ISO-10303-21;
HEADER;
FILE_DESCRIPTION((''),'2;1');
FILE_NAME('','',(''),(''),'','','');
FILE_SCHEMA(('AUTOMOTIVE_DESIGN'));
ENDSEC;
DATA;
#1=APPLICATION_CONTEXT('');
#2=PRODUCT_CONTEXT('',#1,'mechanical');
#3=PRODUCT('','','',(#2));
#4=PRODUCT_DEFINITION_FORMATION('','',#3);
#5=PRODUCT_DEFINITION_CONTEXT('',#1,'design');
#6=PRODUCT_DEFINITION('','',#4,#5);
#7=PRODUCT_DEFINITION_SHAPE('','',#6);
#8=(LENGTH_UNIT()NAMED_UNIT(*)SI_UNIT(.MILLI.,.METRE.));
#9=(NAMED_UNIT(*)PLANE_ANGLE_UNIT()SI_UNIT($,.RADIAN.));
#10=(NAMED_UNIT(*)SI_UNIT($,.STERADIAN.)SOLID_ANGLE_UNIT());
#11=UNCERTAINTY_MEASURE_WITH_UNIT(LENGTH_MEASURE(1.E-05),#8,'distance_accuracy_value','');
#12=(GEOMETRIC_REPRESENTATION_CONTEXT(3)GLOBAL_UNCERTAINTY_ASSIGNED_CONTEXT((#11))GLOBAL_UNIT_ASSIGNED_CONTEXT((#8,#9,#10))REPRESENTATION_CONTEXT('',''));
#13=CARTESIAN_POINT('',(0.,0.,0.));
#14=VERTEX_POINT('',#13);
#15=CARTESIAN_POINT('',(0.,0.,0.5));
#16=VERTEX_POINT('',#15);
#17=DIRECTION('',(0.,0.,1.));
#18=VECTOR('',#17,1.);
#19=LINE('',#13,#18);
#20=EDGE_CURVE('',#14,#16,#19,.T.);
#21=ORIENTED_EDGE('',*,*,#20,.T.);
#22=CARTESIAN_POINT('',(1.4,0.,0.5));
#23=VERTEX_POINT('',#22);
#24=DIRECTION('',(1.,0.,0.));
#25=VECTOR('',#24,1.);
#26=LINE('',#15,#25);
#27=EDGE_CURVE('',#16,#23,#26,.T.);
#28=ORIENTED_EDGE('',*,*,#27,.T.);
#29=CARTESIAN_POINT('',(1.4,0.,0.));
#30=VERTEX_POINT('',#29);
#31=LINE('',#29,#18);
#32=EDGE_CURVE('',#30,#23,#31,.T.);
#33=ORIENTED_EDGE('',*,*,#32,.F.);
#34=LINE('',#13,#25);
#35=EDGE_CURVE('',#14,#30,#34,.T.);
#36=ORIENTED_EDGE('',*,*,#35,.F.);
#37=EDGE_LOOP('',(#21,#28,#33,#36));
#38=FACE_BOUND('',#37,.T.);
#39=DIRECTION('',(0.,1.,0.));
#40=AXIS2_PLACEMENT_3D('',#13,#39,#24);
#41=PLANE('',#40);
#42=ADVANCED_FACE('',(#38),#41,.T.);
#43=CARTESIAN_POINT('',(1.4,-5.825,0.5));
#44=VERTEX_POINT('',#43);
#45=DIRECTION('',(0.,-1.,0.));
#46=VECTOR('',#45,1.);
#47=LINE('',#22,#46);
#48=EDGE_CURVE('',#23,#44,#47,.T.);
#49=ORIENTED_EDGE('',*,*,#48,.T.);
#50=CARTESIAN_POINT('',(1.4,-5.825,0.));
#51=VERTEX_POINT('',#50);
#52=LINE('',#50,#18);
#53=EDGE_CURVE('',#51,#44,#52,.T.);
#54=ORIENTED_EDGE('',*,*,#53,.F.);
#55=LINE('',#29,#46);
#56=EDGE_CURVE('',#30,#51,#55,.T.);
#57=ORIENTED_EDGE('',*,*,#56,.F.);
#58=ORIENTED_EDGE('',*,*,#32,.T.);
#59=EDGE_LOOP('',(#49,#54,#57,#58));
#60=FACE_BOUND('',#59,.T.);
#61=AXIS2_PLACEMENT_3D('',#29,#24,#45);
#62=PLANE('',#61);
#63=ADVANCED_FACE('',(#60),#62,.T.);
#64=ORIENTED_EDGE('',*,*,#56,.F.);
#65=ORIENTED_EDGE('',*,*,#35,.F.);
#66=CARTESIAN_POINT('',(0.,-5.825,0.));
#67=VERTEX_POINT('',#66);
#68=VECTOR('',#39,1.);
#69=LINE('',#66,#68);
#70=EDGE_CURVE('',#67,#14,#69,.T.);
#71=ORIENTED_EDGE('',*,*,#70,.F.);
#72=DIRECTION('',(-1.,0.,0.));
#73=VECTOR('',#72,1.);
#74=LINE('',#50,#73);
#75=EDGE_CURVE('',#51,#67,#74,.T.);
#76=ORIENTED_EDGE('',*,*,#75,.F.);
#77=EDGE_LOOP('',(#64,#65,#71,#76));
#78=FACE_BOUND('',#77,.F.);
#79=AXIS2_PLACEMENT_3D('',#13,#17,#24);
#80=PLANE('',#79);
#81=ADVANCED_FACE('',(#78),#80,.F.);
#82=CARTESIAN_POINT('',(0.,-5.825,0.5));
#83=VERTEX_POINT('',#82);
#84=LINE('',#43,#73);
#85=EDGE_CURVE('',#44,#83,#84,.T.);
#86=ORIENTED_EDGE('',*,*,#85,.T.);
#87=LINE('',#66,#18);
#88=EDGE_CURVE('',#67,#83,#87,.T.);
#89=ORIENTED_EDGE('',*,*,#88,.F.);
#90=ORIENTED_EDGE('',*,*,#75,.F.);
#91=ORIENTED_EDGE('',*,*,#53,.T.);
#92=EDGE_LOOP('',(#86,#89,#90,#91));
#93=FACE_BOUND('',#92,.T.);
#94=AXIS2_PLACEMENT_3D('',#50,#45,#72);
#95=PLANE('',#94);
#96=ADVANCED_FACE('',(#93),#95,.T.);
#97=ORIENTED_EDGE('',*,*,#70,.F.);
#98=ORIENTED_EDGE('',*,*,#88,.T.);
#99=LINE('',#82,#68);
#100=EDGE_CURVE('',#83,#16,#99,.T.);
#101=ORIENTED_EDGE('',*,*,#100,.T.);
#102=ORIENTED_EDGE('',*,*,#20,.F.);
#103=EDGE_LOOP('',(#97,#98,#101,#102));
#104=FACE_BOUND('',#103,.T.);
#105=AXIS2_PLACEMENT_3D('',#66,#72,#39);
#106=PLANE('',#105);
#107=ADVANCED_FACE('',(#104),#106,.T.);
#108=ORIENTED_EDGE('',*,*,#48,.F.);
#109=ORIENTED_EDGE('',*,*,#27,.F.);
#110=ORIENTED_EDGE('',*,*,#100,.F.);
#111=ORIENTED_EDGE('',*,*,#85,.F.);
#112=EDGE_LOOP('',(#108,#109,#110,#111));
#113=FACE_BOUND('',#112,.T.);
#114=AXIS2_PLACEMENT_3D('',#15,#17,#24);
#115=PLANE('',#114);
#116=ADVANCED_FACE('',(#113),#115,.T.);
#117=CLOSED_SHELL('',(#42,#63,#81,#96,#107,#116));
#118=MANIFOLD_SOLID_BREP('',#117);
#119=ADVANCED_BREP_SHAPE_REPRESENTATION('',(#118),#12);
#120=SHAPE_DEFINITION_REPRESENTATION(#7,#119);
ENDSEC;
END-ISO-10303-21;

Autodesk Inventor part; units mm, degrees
ref_plane "YZ Plane" through (0, 0, 0) normal (1, 0, 0) x (0, 1, 0)
ref_plane "XZ Plane" through (0, 0, 0) normal (0, 1, 0) x (-1, 0, 0)
ref_plane "XY Plane" through (0, 0, 0) normal (0, 0, 1) x (1, 0, 0)
sketch "草圖1" plane through (0, 0, 0) normal (0, 0, 1) x (1, 0, 0)
  line L0 (0, 0) -> (1.4, 0)
  line L1 (1.4, 0) -> (1.4, -5.825)
  line L2 (1.4, -5.825) -> (0, -5.825)
  line L3 (0, -5.825) -> (0, 0)
  dimension "d0" = 1.4
  dimension "d1" = 5.825
extrude "擠出1" add sketch "草圖1" along normal blind 0.5
properties part number "玻璃門" material "玻璃"
